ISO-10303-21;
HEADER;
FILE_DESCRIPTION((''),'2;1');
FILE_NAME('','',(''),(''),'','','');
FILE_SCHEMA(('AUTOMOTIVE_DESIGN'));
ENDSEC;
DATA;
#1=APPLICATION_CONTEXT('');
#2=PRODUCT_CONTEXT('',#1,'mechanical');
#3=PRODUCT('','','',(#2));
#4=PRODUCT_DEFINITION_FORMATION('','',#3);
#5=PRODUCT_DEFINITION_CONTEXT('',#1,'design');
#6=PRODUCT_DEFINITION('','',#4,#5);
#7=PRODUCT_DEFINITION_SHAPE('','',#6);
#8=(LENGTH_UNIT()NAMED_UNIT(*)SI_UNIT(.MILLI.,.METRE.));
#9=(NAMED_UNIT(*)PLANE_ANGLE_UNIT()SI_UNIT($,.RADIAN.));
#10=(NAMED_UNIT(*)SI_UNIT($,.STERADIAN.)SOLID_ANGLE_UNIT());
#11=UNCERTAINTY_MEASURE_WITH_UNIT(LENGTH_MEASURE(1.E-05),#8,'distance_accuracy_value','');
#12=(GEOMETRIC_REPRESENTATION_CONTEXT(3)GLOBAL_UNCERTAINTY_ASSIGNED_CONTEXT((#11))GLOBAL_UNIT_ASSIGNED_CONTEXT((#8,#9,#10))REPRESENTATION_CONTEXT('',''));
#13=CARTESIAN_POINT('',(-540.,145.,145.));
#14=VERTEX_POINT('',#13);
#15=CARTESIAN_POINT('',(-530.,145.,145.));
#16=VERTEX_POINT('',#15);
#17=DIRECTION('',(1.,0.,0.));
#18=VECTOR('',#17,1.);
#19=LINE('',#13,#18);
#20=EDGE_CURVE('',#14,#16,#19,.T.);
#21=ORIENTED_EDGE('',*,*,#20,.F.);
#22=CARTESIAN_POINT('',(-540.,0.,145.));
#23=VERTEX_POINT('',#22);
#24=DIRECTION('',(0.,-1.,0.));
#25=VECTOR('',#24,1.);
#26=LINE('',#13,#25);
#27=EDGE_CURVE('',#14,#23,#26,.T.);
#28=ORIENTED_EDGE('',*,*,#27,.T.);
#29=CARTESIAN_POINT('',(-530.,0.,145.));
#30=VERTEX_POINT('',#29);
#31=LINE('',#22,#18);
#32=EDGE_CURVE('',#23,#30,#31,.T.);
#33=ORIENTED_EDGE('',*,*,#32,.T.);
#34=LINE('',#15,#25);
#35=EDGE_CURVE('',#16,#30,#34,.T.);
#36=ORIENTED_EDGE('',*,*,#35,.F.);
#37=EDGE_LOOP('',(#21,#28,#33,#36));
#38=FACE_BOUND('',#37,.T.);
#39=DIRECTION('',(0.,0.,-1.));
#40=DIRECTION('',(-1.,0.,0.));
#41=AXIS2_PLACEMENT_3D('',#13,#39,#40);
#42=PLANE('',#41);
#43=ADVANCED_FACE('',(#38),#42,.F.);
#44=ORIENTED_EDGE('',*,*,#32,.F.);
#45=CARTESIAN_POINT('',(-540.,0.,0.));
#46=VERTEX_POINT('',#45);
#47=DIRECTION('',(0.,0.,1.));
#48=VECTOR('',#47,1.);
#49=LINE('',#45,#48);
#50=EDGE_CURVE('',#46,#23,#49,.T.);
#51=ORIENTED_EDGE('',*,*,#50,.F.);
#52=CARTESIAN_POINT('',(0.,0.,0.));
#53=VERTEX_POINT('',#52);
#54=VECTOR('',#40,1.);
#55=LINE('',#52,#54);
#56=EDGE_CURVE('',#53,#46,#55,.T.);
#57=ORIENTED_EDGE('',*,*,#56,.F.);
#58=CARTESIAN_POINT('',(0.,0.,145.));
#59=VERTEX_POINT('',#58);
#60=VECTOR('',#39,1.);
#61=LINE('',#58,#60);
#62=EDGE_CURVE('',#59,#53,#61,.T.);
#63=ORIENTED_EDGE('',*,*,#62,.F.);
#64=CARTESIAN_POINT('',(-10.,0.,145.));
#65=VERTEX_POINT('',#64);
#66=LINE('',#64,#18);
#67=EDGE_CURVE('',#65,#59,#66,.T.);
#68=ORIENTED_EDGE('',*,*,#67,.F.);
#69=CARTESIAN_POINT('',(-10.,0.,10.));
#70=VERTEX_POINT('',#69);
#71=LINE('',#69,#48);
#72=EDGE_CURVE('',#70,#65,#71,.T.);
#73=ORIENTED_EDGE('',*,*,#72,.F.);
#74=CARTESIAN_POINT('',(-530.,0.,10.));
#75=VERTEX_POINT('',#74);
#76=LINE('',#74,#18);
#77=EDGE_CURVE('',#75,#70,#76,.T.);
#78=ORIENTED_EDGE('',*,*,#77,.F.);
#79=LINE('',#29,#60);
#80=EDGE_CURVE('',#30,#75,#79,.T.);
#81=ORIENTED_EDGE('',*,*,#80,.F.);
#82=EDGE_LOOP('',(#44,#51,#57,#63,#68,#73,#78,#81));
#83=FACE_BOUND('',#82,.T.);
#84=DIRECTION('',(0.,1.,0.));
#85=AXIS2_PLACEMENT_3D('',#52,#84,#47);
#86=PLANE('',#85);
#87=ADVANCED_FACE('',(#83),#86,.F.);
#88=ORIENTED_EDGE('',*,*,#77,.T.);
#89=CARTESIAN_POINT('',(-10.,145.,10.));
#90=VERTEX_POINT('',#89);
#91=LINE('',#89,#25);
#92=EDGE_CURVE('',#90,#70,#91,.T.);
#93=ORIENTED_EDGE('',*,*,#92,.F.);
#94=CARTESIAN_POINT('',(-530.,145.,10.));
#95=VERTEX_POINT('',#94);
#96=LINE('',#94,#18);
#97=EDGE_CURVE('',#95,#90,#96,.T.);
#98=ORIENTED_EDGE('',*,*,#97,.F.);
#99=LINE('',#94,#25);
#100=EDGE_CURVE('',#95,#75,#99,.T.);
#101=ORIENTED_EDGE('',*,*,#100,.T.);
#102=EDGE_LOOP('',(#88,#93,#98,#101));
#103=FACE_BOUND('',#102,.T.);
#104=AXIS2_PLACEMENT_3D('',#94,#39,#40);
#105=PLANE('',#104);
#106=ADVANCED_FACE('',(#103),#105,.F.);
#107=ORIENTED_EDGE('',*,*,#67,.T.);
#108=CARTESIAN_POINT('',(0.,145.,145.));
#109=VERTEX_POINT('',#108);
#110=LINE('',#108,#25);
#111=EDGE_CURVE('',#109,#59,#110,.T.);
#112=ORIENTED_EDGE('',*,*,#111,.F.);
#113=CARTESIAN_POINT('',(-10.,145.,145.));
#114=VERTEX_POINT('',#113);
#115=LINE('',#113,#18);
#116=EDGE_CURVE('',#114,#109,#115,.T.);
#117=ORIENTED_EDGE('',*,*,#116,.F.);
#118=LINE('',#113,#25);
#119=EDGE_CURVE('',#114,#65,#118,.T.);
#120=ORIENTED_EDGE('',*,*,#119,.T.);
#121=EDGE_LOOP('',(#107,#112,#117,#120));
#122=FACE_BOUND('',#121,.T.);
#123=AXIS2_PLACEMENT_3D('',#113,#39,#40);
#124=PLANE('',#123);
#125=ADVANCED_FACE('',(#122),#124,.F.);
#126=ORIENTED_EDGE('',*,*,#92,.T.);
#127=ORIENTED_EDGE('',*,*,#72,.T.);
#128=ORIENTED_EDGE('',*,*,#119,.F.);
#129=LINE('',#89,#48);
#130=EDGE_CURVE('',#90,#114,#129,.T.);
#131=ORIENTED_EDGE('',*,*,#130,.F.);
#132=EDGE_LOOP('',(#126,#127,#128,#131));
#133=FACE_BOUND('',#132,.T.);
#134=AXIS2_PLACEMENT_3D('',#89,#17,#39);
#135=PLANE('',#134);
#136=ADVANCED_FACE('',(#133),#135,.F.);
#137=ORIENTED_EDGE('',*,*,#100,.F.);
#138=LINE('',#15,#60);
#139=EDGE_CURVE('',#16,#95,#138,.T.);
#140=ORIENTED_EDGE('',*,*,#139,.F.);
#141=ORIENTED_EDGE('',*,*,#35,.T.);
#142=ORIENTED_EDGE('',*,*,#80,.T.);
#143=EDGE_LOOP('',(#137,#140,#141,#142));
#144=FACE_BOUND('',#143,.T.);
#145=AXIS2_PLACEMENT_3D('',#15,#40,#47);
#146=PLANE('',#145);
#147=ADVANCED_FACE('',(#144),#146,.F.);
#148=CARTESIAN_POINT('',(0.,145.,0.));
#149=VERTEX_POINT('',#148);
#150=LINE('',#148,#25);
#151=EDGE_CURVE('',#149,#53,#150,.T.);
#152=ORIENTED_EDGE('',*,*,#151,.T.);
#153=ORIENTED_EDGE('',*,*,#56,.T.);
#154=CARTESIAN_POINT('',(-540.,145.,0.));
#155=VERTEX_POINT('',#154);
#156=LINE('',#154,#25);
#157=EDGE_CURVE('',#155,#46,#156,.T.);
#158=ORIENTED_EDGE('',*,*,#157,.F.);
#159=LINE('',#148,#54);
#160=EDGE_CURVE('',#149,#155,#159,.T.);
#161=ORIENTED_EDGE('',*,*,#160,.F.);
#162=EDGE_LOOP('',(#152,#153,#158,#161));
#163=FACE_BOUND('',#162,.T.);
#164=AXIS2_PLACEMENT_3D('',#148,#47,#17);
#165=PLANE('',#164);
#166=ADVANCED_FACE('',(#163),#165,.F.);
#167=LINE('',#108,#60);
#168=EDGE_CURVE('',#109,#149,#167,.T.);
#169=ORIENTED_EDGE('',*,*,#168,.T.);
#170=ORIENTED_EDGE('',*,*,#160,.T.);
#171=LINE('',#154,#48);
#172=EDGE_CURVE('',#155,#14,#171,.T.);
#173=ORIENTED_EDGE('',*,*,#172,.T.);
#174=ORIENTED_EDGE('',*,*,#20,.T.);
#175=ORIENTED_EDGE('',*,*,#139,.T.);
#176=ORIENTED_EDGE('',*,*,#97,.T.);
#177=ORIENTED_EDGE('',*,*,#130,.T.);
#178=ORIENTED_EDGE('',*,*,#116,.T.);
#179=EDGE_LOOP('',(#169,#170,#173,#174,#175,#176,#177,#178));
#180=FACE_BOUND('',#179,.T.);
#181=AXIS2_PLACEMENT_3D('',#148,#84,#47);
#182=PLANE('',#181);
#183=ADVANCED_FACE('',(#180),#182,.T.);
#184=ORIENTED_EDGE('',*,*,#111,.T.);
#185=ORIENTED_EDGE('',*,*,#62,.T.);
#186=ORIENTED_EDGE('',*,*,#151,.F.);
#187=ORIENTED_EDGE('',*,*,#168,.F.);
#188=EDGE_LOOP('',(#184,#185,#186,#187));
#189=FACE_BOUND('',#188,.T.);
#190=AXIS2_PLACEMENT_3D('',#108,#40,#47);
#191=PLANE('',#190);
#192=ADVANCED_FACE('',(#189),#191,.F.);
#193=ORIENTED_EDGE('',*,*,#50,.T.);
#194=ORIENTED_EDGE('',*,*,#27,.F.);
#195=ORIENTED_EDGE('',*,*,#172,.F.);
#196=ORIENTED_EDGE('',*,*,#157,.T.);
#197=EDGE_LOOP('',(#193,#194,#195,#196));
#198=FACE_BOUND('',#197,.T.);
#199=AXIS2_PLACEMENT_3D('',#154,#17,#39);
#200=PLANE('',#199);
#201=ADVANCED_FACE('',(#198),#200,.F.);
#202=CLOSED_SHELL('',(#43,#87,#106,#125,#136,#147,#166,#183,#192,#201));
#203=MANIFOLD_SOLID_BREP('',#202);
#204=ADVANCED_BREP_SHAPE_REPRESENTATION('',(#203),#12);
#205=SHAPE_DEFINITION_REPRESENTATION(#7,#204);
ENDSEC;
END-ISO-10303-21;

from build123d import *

# Parameters (mm, degrees)
BOSS_EXTRUDE1_DEPTH = 145


with BuildPart() as part:
    # Sketch1 → Boss-Extrude1 (new body)
    with BuildSketch(Plane(origin=(0, 0, 0), x_dir=(1, 0, 0), z_dir=(0, 1, 0))):
        Polygon((0, 0), (-540, 0), (-540, -145), (-530, -145), (-530, -10), (-10, -10), (-10, -145), (0, -145), align=None)
    extrude(amount=BOSS_EXTRUDE1_DEPTH)


solid = part.part
